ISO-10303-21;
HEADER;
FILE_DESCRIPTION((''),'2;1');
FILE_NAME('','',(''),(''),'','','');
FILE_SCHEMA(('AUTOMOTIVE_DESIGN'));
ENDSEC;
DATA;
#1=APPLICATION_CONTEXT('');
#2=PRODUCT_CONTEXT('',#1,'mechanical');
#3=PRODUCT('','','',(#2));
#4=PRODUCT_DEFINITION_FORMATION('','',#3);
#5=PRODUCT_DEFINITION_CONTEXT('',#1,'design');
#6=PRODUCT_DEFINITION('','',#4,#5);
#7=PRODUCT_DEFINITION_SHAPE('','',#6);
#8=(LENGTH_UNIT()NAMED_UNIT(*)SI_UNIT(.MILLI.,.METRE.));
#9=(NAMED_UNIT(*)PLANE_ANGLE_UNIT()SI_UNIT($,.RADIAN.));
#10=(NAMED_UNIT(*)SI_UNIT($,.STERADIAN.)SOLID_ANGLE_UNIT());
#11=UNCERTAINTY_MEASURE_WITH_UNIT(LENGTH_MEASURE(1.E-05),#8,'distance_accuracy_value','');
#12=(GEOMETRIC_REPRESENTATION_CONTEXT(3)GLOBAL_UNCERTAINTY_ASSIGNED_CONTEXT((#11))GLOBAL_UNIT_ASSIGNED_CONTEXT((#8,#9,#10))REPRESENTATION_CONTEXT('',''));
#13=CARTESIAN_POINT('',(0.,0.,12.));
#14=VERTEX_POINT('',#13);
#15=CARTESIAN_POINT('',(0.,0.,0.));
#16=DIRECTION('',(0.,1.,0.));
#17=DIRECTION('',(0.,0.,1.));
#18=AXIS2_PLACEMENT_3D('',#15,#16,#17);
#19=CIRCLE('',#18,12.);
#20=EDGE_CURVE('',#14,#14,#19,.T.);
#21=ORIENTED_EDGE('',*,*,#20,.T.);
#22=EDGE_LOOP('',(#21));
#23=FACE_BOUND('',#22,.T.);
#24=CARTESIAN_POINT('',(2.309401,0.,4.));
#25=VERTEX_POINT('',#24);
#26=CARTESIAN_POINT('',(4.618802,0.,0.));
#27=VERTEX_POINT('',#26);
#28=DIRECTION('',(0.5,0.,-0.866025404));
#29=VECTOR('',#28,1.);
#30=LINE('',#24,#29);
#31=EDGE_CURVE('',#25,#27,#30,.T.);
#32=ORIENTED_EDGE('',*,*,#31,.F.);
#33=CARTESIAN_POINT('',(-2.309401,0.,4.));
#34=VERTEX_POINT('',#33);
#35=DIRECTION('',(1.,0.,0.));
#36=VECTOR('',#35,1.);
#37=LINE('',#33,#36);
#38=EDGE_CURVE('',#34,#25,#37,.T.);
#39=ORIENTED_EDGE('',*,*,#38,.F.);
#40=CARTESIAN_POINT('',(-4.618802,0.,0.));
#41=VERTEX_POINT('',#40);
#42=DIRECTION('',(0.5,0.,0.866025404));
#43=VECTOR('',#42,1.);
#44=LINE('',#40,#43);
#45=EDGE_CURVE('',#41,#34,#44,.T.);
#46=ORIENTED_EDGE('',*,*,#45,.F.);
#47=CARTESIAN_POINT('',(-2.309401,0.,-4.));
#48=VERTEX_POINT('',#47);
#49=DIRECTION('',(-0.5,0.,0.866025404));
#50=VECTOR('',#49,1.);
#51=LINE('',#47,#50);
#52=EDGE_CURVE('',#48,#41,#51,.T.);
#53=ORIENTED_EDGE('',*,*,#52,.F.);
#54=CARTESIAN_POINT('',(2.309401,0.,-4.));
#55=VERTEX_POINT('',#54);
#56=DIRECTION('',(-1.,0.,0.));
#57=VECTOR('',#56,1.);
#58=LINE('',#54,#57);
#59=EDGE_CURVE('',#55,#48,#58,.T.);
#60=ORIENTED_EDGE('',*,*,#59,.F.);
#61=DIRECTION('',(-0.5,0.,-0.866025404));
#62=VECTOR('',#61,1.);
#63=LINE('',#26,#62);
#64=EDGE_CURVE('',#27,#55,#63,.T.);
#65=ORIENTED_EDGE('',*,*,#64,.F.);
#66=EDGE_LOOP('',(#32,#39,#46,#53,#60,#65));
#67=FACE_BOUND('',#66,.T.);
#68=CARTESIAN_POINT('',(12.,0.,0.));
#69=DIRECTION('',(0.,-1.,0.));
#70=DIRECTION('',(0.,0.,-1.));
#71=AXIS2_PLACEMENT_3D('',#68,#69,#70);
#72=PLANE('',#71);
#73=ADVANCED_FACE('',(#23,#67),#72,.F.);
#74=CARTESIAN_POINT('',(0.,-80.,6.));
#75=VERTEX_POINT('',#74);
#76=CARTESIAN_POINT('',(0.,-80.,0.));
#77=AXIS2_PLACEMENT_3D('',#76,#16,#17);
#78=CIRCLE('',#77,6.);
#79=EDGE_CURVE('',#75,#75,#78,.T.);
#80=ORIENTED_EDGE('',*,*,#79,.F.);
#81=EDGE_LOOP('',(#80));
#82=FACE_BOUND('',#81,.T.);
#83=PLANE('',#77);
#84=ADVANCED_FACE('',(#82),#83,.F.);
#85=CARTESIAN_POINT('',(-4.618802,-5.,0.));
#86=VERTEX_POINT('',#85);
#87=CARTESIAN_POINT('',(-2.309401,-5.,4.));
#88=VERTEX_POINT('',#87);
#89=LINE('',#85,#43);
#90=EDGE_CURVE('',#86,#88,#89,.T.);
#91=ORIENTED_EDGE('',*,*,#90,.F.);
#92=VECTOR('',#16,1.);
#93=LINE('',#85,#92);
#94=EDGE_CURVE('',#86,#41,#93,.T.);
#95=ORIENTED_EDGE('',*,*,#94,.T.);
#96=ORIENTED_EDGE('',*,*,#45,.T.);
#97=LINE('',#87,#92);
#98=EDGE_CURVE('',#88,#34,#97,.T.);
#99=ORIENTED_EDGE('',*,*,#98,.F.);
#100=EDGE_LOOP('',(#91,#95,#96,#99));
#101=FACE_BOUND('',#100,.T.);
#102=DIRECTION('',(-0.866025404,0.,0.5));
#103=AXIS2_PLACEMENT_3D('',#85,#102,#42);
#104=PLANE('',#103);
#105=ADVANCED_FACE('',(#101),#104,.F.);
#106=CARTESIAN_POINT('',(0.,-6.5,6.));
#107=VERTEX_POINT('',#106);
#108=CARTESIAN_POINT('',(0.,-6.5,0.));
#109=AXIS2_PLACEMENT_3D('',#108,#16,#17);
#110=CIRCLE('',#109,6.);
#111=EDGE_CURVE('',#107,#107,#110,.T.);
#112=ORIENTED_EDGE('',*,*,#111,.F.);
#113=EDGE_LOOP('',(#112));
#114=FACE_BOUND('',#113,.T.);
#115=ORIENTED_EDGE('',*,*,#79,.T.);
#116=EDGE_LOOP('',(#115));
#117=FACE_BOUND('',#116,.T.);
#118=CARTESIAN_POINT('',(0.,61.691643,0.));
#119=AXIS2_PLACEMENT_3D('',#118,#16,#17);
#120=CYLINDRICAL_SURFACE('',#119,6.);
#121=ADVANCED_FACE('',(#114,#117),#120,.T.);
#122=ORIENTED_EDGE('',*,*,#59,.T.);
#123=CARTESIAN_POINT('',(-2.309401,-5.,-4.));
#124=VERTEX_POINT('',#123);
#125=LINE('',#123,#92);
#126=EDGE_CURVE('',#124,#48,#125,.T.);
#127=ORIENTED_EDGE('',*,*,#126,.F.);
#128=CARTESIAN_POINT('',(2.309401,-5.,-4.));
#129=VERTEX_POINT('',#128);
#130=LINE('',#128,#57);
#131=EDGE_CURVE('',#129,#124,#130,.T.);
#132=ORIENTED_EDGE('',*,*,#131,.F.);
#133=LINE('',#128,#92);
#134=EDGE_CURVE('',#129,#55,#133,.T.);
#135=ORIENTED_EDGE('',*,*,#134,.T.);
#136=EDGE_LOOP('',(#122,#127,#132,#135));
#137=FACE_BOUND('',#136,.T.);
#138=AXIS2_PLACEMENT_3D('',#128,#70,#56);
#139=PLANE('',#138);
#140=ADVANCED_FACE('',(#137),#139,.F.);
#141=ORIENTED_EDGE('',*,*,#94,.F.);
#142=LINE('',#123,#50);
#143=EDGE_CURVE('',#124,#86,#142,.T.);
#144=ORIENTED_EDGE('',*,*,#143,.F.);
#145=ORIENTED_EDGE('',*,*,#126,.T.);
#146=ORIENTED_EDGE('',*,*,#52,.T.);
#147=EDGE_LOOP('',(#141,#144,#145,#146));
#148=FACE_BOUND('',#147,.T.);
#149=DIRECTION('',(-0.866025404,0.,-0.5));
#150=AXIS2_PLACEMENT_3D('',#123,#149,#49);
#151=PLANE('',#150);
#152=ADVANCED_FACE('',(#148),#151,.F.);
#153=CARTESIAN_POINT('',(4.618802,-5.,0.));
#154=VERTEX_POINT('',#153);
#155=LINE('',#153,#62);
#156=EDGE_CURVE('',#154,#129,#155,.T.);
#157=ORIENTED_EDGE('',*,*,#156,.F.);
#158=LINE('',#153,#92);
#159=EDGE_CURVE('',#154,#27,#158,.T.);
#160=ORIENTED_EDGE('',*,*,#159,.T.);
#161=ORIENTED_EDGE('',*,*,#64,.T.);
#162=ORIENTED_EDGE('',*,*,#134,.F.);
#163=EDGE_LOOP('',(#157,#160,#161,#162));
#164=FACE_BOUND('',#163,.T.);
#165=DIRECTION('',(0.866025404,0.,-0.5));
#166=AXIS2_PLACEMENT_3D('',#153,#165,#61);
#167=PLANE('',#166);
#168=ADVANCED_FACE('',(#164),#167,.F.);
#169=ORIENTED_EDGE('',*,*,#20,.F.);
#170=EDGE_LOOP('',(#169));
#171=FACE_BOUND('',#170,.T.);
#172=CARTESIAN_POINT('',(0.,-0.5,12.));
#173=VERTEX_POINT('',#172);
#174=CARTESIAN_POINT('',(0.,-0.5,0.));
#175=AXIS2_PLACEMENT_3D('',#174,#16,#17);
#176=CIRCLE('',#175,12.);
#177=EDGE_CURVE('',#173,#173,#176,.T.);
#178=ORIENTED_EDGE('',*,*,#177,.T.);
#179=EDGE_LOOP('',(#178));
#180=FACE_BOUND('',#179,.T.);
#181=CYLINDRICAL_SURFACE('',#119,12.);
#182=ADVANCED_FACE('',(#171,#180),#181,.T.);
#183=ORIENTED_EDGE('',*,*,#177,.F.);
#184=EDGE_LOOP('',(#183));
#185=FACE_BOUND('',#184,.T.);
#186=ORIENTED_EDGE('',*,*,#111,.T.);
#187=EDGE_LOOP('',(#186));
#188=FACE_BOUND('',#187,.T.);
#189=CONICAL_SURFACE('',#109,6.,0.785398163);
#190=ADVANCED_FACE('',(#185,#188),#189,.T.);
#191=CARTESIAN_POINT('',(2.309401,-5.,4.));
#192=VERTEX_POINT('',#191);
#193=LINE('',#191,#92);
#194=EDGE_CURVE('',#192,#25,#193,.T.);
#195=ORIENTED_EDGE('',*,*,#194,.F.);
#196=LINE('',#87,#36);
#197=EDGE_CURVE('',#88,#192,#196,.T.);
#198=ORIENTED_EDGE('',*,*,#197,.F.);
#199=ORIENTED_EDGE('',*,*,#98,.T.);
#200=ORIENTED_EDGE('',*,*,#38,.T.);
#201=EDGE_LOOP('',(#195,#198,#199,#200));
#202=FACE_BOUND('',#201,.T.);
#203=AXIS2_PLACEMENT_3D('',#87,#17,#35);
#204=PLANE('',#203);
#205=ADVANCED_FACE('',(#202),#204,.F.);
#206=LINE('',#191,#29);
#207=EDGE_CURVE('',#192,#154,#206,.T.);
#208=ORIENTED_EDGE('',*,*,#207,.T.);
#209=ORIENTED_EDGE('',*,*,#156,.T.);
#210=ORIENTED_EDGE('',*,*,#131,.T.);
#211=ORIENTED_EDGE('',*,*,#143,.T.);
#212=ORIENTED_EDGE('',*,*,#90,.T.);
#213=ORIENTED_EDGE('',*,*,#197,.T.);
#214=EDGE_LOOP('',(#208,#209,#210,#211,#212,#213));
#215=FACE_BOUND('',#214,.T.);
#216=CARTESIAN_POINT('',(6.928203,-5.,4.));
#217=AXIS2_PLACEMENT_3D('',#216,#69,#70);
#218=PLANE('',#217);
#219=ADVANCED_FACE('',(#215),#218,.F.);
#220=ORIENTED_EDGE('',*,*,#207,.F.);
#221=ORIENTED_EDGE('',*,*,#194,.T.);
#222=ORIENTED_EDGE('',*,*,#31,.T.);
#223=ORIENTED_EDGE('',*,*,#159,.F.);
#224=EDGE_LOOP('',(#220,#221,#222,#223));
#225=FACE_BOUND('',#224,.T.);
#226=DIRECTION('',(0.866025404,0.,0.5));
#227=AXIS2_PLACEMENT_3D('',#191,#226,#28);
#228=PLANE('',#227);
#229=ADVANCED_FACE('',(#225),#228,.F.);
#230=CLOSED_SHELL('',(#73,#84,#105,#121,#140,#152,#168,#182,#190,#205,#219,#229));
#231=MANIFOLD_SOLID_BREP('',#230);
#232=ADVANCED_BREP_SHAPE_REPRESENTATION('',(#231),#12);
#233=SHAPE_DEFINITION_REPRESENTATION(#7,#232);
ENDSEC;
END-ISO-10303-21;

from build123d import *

# Parameters (mm, degrees)
CUT_EXTRUDE1_DEPTH = 5


with BuildPart() as part:
    # Sketch1 → Revolve1 (revolve)
    with BuildSketch(Plane.XY, mode=Mode.PRIVATE) as revolve1_sk:
        Polygon((0, -80), (6, -80), (6, -6.5), (12, -0.5), (12, 0), (0, 0), align=None)
    revolve(revolve1_sk.sketch.rotate(Axis((0, 61.691642626, 0), (0, -1, 0)), 90), axis=Axis((0, 61.691642626, 0), (0, -1, 0)))

    # Sketch2 → Cut-Extrude1 (cut)
    with BuildSketch(Plane(origin=(0, 0, 0), x_dir=(-1, 0, 0), z_dir=(0, 1, 0))):
        Polygon((-2.309401077, -4), (2.309401077, -4), (4.618802154, 0), (2.309401077, 4), (-2.309401077, 4), (-4.618802154, 0), align=None)
    extrude(amount=-CUT_EXTRUDE1_DEPTH, mode=Mode.SUBTRACT)


solid = part.part
